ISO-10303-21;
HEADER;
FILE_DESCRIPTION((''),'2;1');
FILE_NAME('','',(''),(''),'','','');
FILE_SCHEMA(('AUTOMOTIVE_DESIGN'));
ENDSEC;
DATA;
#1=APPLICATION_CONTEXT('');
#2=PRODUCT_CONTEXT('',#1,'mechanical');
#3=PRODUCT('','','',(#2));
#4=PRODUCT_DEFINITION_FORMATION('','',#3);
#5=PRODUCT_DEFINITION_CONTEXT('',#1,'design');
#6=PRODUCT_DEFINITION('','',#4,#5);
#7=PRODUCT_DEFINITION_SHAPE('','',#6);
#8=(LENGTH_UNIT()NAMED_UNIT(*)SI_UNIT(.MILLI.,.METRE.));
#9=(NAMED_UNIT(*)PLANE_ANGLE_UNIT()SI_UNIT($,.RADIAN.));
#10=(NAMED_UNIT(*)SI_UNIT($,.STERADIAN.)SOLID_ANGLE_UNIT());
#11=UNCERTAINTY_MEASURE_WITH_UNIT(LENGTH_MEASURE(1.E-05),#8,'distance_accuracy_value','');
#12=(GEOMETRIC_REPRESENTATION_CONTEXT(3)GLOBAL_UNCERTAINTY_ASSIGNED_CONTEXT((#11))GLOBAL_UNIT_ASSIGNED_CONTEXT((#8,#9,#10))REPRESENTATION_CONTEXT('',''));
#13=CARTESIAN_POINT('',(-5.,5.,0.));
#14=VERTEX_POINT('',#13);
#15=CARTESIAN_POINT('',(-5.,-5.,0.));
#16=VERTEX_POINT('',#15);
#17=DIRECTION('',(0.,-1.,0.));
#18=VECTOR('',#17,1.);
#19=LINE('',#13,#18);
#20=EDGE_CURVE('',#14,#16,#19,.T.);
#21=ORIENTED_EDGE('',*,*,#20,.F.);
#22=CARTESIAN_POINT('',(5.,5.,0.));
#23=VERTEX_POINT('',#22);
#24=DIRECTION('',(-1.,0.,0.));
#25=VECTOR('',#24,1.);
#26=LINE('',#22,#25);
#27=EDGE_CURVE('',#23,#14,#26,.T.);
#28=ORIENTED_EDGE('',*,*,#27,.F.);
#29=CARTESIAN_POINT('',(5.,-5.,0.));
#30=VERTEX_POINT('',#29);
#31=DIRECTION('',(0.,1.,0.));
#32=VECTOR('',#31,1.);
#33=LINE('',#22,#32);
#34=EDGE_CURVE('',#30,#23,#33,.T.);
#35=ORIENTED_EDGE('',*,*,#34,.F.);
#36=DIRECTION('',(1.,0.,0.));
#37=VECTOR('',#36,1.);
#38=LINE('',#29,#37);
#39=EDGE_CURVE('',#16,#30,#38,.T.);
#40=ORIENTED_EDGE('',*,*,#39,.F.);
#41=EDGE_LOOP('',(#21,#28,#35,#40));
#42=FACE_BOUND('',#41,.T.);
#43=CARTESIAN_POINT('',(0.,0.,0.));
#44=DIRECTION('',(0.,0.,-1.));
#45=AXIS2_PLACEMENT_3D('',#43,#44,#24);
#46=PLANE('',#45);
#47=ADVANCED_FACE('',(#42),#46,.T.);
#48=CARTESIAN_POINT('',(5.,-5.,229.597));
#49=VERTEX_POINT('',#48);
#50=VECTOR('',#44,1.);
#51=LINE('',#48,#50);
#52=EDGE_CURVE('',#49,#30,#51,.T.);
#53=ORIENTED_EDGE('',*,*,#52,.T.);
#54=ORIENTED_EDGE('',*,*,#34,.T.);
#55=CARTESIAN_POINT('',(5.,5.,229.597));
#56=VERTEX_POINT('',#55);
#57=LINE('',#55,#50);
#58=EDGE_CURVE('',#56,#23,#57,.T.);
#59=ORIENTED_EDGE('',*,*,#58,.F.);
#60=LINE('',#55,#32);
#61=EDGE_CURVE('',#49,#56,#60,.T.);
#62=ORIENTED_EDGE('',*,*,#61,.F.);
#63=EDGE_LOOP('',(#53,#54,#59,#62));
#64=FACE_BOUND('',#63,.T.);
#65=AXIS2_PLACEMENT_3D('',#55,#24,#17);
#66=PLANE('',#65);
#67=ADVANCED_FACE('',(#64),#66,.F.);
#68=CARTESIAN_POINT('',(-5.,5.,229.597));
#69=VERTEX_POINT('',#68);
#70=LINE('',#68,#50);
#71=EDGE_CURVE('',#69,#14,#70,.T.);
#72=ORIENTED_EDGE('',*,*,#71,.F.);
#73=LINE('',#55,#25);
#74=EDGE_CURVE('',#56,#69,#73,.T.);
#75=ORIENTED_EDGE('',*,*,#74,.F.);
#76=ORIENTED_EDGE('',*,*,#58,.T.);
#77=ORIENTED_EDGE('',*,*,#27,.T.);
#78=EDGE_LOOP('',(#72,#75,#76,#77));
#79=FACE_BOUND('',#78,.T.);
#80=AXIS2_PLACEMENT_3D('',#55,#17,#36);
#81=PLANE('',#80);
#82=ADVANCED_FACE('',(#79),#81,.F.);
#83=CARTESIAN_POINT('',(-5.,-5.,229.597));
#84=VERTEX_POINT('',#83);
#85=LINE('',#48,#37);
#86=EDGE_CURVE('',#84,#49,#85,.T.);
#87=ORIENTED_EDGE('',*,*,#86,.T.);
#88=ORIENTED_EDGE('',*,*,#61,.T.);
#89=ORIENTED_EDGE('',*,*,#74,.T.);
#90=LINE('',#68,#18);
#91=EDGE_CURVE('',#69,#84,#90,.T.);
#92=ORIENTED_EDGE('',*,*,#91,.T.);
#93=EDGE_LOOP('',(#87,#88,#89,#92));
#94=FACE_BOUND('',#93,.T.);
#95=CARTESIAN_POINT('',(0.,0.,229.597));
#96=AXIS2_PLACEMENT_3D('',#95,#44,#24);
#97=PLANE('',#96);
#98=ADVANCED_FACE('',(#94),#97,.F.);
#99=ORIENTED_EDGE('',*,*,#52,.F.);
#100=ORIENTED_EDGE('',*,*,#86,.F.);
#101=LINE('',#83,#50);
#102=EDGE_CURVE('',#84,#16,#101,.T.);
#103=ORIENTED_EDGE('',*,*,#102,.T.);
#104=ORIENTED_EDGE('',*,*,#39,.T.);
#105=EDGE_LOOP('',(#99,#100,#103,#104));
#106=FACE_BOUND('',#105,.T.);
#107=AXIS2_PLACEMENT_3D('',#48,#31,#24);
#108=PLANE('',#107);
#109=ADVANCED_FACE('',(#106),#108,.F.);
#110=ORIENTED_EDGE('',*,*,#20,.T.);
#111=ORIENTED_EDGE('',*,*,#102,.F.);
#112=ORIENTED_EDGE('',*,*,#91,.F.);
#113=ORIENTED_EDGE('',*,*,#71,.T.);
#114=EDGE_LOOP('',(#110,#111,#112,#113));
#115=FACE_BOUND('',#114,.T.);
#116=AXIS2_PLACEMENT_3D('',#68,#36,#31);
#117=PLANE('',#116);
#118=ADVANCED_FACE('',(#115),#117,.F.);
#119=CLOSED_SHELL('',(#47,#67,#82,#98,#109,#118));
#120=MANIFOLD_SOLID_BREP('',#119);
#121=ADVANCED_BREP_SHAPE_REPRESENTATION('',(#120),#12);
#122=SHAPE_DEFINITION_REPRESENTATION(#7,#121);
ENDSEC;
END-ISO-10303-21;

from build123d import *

# Parameters (mm, degrees)
SKETCH1_W           = 10
SKETCH1_H           = 10
BOSS_EXTRUDE1_DEPTH = 229.597


with BuildPart() as part:
    # Sketch1 → Boss-Extrude1 (new body)
    with BuildSketch(Plane.XY):
        Rectangle(SKETCH1_W, SKETCH1_H)
    extrude(amount=BOSS_EXTRUDE1_DEPTH)


solid = part.part
